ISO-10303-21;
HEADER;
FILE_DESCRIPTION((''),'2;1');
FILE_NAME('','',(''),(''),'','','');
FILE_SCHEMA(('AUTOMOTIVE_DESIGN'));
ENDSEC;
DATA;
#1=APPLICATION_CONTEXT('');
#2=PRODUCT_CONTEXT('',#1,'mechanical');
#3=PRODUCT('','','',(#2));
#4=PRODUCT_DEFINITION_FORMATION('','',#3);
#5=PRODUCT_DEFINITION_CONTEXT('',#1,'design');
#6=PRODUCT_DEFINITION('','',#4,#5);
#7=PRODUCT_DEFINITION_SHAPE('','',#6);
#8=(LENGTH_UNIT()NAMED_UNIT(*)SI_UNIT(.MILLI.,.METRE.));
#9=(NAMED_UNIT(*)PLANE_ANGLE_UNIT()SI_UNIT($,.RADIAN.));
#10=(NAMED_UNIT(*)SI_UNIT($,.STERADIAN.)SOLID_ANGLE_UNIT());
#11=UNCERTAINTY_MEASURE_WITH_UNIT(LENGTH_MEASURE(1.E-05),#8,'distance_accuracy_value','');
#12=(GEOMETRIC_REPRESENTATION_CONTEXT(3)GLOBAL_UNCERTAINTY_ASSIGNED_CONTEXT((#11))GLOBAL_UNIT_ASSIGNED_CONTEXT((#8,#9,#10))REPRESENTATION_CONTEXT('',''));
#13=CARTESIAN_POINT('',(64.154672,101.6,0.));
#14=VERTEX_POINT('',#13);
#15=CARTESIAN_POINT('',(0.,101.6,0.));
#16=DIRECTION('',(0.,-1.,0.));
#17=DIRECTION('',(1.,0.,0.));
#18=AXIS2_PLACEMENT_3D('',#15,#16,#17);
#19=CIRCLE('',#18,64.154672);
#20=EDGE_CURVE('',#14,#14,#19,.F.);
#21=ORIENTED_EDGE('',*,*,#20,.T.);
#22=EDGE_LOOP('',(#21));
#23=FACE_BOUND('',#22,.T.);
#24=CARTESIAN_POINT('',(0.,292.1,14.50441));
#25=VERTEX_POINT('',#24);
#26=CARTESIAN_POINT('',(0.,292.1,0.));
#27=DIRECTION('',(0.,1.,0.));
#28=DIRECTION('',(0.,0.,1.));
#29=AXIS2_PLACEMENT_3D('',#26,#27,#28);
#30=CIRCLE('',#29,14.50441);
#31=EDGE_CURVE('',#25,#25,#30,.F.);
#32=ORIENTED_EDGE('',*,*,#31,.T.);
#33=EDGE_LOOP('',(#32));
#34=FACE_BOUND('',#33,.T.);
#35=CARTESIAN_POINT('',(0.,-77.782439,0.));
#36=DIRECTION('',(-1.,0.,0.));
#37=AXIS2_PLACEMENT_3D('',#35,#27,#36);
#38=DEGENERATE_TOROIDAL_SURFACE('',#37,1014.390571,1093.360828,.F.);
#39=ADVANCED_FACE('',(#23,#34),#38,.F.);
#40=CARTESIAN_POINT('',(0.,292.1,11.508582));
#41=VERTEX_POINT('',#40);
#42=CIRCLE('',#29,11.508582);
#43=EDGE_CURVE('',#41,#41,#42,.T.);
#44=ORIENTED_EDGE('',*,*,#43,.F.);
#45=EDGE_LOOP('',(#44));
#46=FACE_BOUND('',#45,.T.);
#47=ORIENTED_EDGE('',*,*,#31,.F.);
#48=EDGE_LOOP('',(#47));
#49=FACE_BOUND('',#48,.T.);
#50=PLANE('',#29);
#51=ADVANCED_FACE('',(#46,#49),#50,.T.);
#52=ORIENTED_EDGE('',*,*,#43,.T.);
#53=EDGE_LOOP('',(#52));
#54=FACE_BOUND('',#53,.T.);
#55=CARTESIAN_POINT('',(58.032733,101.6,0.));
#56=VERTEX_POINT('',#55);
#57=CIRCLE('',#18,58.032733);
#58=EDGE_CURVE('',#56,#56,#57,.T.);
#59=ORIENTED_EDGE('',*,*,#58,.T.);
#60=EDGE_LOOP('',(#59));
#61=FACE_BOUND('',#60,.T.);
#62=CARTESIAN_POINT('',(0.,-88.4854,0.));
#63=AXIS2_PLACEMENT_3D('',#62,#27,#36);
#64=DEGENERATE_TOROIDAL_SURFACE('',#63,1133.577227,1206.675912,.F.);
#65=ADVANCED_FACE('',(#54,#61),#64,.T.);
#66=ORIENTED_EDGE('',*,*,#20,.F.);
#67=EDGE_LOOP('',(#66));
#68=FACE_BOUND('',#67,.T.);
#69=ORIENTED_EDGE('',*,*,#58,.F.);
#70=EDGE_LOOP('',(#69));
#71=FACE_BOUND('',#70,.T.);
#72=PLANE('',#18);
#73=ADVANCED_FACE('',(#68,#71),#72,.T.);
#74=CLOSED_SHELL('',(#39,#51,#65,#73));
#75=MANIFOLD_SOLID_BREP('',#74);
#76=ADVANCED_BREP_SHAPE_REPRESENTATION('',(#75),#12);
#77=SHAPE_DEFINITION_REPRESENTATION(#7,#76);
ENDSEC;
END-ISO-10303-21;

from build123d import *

# Parameters (mm, degrees)
SKETCH7_R           = 317.5
CUT_EXTRUDE2_DEPTH  = 88.9
SKETCH8_R           = 73.025
SKETCH8_R_2         = 69.85
BOSS_EXTRUDE1_DEPTH = 76.2
SKETCH9_R           = 87.299275162
CUT_EXTRUDE3_DEPTH  = 177.8


with BuildPart() as part:
    # Sketch2 → Revolve1 (revolve)
    with BuildSketch(Plane.XY):
        with BuildLine():
            Line((-76.2, 0), (-69.85, 0))
            ThreePointArc((-69.85, 0), (-46.178344337, 164.977710697), (0, 325.12))
            Line((0, 325.12), (0, 330.2))
            ThreePointArc((0, 330.2), (-50.970594074, 168.070137094), (-76.2, 0))
        make_face()
    revolve(axis=Axis((0, 330.2, 0), (0, -1, 0)))

    # Sketch7 → Cut-Extrude2 (cut)
    with BuildSketch(Plane(origin=(0, 381, 0), x_dir=(1, 0, 0), z_dir=(0, 1, 0))):
        Circle(SKETCH7_R)
    extrude(amount=-CUT_EXTRUDE2_DEPTH, mode=Mode.SUBTRACT)

    # Sketch8 → Boss-Extrude1 (add)
    with BuildSketch(Plane.XZ):
        Circle(SKETCH8_R)
        Circle(SKETCH8_R_2, mode=Mode.SUBTRACT)
    extrude(amount=BOSS_EXTRUDE1_DEPTH)

    # Sketch9 → Cut-Extrude3 (cut)
    with BuildSketch(Plane.XZ.offset(76.2)):
        Circle(SKETCH9_R)
    extrude(amount=-CUT_EXTRUDE3_DEPTH, mode=Mode.SUBTRACT)


solid = part.part
